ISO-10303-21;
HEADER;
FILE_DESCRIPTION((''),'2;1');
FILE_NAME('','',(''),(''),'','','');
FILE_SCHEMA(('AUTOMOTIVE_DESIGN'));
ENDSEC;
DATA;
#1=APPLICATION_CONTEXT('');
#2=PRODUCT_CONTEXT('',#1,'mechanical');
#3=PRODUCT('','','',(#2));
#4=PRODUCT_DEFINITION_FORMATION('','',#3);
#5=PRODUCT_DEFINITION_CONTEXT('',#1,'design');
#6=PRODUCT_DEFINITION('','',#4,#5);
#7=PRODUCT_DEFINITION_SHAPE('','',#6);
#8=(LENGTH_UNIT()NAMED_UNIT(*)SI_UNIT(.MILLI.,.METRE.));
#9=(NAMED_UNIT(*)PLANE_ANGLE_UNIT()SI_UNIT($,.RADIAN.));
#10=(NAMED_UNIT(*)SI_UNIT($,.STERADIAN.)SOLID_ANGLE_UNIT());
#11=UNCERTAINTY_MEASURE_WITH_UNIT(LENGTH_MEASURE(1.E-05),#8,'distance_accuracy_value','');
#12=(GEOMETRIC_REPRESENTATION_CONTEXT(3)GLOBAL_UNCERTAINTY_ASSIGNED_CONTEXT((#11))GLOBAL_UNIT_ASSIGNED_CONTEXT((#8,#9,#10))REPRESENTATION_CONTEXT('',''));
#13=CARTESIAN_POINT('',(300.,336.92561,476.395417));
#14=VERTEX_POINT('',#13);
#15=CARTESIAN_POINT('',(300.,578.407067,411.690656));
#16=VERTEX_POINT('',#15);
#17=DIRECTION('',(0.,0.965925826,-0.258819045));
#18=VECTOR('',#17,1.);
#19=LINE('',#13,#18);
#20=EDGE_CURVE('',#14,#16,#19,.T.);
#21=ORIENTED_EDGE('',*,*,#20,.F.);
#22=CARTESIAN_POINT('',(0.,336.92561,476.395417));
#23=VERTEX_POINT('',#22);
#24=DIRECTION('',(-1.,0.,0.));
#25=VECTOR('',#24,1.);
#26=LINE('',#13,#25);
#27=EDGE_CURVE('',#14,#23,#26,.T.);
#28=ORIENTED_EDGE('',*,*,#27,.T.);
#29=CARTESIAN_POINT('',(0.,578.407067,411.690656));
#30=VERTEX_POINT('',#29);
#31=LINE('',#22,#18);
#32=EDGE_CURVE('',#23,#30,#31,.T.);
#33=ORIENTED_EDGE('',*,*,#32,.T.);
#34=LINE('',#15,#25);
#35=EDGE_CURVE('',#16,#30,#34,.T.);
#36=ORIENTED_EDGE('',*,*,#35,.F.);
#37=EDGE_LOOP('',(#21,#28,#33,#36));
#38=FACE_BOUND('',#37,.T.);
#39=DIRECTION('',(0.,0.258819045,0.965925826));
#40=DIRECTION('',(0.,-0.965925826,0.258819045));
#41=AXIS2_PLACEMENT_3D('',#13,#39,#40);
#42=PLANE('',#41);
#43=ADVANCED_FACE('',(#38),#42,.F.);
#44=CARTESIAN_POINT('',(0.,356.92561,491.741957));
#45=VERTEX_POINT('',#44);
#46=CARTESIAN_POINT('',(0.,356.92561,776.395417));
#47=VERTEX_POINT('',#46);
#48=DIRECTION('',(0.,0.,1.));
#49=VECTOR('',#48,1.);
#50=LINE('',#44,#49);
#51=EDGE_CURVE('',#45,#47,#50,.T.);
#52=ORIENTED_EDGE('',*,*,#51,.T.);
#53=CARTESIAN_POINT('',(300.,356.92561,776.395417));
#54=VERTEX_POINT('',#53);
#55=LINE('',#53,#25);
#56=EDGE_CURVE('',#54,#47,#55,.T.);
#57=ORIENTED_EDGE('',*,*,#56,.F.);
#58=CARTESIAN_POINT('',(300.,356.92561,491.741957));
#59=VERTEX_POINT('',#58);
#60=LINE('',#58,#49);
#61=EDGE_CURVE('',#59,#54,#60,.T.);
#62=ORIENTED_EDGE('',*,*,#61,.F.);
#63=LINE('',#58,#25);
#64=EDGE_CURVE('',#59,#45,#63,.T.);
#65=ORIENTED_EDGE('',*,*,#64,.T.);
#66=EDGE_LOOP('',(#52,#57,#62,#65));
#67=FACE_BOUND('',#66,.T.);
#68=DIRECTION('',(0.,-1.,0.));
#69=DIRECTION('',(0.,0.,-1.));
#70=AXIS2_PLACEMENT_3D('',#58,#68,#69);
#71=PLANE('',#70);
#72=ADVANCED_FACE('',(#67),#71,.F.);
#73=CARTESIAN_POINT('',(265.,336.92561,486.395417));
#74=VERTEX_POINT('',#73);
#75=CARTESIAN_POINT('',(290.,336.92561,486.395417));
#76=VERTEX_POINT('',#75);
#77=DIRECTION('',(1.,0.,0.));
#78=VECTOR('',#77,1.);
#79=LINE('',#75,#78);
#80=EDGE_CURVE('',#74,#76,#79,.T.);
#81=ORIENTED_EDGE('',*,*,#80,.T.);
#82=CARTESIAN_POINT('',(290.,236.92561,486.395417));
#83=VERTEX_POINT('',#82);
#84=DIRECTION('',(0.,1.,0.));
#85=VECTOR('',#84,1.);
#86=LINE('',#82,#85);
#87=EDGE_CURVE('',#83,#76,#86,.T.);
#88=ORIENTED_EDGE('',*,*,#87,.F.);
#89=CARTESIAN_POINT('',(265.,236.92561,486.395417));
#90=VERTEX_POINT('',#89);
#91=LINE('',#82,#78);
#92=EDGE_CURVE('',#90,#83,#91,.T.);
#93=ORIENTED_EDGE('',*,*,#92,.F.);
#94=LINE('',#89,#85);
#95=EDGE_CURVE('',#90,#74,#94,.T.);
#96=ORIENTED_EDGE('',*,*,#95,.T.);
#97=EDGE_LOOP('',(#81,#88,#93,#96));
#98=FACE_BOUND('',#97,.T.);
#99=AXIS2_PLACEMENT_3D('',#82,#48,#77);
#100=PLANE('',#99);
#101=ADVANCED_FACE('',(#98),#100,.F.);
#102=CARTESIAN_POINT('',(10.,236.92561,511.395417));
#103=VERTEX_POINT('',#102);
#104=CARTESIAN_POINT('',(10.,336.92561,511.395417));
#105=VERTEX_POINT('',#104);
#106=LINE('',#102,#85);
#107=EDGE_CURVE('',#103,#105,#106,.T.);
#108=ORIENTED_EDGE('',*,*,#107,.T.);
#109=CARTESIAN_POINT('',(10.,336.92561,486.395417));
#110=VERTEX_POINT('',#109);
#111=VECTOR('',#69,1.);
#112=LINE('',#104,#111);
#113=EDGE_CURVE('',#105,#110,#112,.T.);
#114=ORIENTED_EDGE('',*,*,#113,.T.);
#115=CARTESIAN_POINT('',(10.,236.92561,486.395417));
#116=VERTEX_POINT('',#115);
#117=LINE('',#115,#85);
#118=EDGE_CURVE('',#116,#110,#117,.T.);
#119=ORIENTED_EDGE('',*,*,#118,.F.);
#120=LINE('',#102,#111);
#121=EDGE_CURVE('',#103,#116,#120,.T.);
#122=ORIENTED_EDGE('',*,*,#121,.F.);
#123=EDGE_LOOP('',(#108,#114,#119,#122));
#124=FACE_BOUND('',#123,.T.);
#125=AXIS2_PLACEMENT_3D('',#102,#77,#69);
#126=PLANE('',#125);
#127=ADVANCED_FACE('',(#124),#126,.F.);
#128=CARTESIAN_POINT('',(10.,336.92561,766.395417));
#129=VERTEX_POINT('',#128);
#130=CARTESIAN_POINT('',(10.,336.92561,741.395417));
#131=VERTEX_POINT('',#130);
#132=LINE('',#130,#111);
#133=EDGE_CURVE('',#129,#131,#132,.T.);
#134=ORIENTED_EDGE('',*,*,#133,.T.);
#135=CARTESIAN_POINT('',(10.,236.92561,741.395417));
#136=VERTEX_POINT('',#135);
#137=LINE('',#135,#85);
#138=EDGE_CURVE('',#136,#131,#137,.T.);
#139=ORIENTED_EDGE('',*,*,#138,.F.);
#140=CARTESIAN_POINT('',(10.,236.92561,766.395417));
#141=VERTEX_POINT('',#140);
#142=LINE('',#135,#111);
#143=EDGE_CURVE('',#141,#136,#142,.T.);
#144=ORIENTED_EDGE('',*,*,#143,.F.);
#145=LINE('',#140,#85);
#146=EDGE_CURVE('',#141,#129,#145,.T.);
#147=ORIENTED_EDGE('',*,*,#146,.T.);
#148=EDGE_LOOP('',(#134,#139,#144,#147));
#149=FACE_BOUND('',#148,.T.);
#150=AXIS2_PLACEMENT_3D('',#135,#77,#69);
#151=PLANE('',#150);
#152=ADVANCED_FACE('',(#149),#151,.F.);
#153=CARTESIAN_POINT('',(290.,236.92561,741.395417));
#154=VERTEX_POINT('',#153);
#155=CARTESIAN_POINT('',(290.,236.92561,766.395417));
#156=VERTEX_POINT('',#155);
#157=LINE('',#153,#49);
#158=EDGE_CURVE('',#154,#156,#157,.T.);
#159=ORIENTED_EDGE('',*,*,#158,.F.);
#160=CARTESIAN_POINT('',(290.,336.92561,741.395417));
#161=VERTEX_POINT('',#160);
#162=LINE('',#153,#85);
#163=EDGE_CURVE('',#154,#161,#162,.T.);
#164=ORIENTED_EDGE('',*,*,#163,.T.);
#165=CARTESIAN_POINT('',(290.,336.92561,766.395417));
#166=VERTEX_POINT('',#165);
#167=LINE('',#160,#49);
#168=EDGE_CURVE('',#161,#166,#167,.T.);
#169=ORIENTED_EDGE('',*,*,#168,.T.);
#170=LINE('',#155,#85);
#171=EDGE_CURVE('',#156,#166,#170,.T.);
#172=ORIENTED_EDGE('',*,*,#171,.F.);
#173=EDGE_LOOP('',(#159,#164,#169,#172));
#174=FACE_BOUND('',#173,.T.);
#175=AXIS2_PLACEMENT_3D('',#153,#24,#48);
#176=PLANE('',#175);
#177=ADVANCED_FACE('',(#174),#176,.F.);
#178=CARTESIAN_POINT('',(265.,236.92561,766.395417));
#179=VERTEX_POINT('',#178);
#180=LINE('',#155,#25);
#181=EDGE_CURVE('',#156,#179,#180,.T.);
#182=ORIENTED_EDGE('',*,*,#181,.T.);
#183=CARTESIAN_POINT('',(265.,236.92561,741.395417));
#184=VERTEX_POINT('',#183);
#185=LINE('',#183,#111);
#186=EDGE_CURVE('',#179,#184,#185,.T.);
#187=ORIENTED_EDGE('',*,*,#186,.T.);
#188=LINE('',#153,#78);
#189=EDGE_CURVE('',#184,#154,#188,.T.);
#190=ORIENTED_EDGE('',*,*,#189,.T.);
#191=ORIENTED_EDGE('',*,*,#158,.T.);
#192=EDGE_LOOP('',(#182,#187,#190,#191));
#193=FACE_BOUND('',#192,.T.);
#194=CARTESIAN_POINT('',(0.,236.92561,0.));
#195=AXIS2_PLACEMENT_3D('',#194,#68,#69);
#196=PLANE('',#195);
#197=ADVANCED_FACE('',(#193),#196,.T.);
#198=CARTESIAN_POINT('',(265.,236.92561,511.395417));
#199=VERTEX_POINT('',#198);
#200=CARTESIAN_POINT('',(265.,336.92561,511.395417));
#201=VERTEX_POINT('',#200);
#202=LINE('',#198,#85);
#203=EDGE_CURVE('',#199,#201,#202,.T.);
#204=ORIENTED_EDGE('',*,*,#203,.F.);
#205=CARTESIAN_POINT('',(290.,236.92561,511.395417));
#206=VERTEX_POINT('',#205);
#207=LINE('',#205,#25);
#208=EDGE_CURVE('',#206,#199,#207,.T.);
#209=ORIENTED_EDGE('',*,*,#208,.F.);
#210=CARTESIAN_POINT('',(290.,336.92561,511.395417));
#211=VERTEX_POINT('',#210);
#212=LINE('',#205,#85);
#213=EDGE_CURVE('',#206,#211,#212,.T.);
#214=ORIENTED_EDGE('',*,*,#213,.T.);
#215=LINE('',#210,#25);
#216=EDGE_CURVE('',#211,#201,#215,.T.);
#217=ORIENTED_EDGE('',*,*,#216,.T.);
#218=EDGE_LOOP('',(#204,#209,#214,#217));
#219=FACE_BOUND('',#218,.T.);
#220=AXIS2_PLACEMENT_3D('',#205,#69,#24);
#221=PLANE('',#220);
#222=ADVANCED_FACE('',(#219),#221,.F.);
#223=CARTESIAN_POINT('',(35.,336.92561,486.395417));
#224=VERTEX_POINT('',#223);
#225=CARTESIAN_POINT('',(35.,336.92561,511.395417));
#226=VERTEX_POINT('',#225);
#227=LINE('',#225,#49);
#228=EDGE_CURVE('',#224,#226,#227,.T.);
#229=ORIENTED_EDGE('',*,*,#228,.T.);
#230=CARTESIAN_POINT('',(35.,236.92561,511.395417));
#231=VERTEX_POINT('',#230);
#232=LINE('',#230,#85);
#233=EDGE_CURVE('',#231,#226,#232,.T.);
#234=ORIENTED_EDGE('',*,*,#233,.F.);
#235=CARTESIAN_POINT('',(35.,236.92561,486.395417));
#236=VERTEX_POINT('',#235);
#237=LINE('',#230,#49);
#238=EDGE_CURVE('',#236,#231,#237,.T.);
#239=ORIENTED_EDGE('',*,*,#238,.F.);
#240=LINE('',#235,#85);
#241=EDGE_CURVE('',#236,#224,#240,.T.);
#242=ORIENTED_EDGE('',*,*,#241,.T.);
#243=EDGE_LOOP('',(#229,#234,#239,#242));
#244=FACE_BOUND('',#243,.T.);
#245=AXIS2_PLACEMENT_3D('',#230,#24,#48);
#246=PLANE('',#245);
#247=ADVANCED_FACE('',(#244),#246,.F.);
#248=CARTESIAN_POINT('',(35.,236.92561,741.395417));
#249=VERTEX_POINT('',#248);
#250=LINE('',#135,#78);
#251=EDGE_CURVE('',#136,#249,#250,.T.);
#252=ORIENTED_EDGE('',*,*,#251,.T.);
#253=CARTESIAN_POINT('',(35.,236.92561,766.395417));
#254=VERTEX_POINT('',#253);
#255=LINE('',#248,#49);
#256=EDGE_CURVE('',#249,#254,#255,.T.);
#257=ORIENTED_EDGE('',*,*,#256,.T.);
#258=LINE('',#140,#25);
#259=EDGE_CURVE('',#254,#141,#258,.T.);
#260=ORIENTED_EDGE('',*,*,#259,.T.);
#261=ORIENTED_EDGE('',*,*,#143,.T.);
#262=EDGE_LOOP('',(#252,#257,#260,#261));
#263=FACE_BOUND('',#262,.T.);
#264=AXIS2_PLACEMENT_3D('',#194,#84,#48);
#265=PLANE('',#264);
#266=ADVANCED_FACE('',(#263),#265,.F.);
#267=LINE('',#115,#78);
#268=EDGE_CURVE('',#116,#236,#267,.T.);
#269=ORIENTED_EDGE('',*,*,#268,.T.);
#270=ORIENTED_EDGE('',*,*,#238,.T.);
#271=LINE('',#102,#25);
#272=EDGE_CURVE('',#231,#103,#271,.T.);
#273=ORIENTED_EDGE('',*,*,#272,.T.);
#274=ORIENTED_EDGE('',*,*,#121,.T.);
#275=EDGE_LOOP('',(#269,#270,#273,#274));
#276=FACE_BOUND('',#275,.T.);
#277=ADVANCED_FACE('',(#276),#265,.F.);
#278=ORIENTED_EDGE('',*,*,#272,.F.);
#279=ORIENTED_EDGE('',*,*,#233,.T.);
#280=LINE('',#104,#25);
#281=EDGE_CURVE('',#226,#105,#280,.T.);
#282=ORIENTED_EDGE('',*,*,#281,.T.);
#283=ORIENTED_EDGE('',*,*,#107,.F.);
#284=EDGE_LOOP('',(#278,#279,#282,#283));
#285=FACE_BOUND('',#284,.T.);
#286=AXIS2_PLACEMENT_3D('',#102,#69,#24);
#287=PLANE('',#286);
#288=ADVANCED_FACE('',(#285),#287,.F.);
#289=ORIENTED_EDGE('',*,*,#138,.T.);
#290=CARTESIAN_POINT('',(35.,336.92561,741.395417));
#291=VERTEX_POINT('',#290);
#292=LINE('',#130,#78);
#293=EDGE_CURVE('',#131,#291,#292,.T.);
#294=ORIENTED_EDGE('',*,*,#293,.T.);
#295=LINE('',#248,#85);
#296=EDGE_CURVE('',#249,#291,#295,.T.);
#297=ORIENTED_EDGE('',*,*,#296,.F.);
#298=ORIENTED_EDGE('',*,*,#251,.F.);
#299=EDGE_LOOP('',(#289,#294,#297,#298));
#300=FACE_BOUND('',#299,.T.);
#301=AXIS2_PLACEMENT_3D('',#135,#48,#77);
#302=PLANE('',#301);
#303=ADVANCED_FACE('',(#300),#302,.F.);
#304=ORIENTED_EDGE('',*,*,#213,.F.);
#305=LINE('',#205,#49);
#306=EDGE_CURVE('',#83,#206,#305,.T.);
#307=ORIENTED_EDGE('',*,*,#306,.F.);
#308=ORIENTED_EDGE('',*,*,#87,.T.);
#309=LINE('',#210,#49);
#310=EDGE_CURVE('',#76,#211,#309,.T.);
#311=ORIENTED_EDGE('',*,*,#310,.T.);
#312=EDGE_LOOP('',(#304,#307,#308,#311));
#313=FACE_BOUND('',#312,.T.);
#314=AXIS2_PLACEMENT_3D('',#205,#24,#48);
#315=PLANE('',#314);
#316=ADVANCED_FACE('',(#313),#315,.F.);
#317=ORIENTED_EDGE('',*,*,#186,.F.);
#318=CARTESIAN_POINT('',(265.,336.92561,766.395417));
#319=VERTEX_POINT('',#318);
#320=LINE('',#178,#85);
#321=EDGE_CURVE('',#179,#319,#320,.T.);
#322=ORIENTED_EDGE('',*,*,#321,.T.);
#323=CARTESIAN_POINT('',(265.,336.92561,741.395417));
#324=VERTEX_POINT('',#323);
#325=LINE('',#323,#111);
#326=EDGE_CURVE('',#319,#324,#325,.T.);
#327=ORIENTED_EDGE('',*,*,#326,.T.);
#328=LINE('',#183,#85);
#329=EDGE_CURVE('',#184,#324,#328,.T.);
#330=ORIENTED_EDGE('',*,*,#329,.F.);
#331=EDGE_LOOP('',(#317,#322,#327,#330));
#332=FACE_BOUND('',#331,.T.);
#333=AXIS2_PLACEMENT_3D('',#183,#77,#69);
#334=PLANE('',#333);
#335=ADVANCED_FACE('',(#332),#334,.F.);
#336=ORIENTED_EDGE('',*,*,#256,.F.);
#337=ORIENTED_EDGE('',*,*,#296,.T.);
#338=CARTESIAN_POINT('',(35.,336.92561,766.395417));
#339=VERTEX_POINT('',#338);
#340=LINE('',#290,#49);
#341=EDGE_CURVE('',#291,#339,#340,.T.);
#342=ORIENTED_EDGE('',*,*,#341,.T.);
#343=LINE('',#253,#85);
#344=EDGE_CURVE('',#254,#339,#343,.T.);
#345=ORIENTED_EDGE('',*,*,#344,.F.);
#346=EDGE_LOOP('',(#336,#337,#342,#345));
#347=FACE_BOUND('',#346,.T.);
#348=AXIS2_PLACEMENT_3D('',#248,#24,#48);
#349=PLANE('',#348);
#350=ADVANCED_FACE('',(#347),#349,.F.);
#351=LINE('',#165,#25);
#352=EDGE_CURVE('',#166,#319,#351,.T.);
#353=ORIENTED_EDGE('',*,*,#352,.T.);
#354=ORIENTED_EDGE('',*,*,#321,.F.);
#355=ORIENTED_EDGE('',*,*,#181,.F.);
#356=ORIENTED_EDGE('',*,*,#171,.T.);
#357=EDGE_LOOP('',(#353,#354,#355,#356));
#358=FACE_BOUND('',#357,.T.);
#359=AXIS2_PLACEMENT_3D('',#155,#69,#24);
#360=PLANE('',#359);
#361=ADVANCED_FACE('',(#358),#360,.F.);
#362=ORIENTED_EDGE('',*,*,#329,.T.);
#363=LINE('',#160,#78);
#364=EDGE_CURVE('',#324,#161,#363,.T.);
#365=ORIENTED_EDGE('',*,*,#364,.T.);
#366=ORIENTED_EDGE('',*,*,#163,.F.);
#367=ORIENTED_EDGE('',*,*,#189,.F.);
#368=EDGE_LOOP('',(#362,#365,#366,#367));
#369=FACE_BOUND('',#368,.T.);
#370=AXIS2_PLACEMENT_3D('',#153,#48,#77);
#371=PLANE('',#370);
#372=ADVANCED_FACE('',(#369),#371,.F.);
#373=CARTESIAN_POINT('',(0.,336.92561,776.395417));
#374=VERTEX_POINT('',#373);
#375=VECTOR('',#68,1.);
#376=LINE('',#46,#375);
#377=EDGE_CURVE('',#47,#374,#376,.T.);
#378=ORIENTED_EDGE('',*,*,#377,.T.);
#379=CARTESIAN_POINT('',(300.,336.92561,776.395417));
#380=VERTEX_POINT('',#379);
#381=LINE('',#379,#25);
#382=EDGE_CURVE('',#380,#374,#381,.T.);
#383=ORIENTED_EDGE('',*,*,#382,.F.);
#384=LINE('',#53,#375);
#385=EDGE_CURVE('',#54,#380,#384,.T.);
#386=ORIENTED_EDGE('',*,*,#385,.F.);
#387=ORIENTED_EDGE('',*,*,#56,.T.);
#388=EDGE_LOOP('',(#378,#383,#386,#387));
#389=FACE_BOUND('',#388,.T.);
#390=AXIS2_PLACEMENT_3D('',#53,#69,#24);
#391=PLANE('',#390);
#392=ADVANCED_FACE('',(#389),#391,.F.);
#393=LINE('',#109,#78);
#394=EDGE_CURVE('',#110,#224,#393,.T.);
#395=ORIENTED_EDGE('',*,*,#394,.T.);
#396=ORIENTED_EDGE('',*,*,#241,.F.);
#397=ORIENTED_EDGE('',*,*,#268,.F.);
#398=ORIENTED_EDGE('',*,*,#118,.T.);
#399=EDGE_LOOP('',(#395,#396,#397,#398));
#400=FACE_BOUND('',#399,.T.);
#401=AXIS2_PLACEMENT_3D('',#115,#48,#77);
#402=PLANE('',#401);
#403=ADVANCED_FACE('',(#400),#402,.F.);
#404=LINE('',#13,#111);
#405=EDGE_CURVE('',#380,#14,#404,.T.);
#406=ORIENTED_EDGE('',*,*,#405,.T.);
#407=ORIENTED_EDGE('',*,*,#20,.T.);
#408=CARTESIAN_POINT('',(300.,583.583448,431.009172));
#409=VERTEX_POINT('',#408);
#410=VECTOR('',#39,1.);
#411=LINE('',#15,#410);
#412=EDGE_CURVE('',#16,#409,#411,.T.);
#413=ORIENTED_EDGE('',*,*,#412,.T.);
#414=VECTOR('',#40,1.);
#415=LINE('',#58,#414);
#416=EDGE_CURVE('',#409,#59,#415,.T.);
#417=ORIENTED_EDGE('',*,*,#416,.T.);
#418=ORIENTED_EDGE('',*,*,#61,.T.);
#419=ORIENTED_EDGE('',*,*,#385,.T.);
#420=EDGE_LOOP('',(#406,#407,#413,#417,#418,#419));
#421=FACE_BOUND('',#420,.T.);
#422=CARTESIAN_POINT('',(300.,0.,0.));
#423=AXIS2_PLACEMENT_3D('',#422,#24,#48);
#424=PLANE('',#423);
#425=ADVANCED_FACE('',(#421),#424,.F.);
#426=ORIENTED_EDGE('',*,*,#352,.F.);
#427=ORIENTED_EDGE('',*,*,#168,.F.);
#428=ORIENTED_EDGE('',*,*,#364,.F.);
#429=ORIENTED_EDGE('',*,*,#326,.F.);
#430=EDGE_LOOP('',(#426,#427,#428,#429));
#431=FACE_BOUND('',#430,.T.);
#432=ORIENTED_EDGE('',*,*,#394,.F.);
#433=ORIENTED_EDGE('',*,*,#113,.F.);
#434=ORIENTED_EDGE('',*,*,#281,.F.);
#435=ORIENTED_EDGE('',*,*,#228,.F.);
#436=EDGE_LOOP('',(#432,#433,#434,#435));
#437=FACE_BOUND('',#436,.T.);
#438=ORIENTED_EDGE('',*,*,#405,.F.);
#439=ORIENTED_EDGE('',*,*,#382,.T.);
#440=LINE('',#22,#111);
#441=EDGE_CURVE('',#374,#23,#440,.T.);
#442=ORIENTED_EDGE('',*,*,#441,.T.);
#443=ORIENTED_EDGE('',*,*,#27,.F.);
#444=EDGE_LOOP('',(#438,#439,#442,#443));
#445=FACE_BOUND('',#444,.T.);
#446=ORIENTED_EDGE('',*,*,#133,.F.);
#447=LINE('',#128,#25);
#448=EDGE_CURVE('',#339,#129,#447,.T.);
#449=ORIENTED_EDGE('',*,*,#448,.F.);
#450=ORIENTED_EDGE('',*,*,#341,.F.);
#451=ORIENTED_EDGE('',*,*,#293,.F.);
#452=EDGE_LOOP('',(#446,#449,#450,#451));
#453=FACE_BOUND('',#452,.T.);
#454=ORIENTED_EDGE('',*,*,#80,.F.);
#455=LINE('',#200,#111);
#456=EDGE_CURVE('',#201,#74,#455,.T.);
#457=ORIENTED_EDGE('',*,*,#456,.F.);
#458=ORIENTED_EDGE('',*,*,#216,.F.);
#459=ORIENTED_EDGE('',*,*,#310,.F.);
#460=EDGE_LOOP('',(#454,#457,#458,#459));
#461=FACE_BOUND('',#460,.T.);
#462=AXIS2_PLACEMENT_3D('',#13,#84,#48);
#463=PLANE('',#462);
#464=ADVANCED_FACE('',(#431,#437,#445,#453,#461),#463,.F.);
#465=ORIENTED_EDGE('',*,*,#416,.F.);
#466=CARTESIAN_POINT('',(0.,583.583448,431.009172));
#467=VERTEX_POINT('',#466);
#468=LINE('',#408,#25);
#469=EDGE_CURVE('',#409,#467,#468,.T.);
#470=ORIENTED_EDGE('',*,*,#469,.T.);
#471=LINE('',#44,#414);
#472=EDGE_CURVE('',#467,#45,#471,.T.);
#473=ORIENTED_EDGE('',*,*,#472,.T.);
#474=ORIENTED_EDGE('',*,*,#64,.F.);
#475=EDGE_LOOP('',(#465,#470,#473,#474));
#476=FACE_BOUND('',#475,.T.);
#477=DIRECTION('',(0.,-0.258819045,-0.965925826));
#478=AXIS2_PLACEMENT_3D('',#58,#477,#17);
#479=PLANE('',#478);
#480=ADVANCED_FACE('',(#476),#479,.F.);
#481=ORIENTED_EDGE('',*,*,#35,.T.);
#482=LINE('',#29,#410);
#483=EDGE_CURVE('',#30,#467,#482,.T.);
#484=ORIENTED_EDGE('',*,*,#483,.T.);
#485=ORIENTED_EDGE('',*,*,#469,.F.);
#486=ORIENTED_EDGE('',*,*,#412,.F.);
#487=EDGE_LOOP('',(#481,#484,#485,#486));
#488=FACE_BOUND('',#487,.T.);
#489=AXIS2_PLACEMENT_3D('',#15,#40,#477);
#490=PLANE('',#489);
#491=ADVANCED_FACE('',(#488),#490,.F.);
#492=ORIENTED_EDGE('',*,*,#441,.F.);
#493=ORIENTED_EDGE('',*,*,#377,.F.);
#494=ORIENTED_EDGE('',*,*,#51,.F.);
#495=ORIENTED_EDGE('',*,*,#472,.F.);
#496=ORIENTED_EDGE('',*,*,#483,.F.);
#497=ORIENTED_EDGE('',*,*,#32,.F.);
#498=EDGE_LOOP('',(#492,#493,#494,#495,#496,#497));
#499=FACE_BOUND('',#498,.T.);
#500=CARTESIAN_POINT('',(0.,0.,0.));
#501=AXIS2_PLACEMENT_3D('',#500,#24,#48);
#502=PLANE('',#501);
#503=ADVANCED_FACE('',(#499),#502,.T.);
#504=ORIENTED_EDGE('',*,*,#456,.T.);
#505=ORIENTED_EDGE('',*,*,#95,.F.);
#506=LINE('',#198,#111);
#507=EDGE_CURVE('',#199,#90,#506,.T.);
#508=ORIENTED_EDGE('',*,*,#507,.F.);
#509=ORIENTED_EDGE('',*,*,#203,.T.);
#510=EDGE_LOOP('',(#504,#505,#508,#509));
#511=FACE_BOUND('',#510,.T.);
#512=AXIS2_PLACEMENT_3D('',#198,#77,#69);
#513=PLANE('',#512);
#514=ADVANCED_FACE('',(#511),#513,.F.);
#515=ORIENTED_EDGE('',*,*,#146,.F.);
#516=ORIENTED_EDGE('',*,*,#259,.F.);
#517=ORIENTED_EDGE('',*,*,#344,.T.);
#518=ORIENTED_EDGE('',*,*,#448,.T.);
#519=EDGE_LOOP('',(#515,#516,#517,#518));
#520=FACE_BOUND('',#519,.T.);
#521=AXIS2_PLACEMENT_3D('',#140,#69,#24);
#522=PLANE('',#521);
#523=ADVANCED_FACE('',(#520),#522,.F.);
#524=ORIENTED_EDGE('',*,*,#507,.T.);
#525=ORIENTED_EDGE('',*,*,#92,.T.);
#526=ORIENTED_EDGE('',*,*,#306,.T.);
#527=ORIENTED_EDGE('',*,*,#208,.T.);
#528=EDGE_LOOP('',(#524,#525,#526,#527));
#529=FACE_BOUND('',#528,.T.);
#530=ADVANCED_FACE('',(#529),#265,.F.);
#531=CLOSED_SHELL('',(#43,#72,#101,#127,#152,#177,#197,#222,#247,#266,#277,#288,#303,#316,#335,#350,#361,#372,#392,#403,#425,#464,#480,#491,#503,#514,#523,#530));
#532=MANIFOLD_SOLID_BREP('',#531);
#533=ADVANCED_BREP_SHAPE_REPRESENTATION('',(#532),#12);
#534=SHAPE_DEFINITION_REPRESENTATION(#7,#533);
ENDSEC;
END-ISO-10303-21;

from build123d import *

# Parameters (mm, degrees)
BOSS_EXTRUDE1_DEPTH = 300
SKETCH6_W           = 25
SKETCH6_H           = 25
BOSS_EXTRUDE2_DEPTH = 100


with BuildPart() as part:
    # Sketch3 → Boss-Extrude1 (new body)
    with BuildSketch(Plane(origin=(0, 0, 0), x_dir=(0, 0, -1), z_dir=(1, 0, 0))):
        Polygon((-476.395417156, 336.925610034), (-411.69065588, 578.407066606), (-431.009172406, 583.583447508), (-491.741956916, 356.925610034), (-776.395417156, 356.925610034), (-776.395417156, 336.925610034), align=None)
    extrude(amount=BOSS_EXTRUDE1_DEPTH)

    # Sketch6 → Boss-Extrude2 (add)
    with BuildSketch(Plane.XZ.offset(-336.925610034)):
        with Locations((277.5, 753.895417156)):
            Rectangle(SKETCH6_W, SKETCH6_H)
        with Locations((22.5, 753.895417156)):
            Rectangle(SKETCH6_W, SKETCH6_H)
        with Locations((277.5, 498.895417156)):
            Rectangle(SKETCH6_W, SKETCH6_H)
        with Locations((22.5, 498.895417156)):
            Rectangle(SKETCH6_W, SKETCH6_H)
    extrude(amount=BOSS_EXTRUDE2_DEPTH)


solid = part.part
